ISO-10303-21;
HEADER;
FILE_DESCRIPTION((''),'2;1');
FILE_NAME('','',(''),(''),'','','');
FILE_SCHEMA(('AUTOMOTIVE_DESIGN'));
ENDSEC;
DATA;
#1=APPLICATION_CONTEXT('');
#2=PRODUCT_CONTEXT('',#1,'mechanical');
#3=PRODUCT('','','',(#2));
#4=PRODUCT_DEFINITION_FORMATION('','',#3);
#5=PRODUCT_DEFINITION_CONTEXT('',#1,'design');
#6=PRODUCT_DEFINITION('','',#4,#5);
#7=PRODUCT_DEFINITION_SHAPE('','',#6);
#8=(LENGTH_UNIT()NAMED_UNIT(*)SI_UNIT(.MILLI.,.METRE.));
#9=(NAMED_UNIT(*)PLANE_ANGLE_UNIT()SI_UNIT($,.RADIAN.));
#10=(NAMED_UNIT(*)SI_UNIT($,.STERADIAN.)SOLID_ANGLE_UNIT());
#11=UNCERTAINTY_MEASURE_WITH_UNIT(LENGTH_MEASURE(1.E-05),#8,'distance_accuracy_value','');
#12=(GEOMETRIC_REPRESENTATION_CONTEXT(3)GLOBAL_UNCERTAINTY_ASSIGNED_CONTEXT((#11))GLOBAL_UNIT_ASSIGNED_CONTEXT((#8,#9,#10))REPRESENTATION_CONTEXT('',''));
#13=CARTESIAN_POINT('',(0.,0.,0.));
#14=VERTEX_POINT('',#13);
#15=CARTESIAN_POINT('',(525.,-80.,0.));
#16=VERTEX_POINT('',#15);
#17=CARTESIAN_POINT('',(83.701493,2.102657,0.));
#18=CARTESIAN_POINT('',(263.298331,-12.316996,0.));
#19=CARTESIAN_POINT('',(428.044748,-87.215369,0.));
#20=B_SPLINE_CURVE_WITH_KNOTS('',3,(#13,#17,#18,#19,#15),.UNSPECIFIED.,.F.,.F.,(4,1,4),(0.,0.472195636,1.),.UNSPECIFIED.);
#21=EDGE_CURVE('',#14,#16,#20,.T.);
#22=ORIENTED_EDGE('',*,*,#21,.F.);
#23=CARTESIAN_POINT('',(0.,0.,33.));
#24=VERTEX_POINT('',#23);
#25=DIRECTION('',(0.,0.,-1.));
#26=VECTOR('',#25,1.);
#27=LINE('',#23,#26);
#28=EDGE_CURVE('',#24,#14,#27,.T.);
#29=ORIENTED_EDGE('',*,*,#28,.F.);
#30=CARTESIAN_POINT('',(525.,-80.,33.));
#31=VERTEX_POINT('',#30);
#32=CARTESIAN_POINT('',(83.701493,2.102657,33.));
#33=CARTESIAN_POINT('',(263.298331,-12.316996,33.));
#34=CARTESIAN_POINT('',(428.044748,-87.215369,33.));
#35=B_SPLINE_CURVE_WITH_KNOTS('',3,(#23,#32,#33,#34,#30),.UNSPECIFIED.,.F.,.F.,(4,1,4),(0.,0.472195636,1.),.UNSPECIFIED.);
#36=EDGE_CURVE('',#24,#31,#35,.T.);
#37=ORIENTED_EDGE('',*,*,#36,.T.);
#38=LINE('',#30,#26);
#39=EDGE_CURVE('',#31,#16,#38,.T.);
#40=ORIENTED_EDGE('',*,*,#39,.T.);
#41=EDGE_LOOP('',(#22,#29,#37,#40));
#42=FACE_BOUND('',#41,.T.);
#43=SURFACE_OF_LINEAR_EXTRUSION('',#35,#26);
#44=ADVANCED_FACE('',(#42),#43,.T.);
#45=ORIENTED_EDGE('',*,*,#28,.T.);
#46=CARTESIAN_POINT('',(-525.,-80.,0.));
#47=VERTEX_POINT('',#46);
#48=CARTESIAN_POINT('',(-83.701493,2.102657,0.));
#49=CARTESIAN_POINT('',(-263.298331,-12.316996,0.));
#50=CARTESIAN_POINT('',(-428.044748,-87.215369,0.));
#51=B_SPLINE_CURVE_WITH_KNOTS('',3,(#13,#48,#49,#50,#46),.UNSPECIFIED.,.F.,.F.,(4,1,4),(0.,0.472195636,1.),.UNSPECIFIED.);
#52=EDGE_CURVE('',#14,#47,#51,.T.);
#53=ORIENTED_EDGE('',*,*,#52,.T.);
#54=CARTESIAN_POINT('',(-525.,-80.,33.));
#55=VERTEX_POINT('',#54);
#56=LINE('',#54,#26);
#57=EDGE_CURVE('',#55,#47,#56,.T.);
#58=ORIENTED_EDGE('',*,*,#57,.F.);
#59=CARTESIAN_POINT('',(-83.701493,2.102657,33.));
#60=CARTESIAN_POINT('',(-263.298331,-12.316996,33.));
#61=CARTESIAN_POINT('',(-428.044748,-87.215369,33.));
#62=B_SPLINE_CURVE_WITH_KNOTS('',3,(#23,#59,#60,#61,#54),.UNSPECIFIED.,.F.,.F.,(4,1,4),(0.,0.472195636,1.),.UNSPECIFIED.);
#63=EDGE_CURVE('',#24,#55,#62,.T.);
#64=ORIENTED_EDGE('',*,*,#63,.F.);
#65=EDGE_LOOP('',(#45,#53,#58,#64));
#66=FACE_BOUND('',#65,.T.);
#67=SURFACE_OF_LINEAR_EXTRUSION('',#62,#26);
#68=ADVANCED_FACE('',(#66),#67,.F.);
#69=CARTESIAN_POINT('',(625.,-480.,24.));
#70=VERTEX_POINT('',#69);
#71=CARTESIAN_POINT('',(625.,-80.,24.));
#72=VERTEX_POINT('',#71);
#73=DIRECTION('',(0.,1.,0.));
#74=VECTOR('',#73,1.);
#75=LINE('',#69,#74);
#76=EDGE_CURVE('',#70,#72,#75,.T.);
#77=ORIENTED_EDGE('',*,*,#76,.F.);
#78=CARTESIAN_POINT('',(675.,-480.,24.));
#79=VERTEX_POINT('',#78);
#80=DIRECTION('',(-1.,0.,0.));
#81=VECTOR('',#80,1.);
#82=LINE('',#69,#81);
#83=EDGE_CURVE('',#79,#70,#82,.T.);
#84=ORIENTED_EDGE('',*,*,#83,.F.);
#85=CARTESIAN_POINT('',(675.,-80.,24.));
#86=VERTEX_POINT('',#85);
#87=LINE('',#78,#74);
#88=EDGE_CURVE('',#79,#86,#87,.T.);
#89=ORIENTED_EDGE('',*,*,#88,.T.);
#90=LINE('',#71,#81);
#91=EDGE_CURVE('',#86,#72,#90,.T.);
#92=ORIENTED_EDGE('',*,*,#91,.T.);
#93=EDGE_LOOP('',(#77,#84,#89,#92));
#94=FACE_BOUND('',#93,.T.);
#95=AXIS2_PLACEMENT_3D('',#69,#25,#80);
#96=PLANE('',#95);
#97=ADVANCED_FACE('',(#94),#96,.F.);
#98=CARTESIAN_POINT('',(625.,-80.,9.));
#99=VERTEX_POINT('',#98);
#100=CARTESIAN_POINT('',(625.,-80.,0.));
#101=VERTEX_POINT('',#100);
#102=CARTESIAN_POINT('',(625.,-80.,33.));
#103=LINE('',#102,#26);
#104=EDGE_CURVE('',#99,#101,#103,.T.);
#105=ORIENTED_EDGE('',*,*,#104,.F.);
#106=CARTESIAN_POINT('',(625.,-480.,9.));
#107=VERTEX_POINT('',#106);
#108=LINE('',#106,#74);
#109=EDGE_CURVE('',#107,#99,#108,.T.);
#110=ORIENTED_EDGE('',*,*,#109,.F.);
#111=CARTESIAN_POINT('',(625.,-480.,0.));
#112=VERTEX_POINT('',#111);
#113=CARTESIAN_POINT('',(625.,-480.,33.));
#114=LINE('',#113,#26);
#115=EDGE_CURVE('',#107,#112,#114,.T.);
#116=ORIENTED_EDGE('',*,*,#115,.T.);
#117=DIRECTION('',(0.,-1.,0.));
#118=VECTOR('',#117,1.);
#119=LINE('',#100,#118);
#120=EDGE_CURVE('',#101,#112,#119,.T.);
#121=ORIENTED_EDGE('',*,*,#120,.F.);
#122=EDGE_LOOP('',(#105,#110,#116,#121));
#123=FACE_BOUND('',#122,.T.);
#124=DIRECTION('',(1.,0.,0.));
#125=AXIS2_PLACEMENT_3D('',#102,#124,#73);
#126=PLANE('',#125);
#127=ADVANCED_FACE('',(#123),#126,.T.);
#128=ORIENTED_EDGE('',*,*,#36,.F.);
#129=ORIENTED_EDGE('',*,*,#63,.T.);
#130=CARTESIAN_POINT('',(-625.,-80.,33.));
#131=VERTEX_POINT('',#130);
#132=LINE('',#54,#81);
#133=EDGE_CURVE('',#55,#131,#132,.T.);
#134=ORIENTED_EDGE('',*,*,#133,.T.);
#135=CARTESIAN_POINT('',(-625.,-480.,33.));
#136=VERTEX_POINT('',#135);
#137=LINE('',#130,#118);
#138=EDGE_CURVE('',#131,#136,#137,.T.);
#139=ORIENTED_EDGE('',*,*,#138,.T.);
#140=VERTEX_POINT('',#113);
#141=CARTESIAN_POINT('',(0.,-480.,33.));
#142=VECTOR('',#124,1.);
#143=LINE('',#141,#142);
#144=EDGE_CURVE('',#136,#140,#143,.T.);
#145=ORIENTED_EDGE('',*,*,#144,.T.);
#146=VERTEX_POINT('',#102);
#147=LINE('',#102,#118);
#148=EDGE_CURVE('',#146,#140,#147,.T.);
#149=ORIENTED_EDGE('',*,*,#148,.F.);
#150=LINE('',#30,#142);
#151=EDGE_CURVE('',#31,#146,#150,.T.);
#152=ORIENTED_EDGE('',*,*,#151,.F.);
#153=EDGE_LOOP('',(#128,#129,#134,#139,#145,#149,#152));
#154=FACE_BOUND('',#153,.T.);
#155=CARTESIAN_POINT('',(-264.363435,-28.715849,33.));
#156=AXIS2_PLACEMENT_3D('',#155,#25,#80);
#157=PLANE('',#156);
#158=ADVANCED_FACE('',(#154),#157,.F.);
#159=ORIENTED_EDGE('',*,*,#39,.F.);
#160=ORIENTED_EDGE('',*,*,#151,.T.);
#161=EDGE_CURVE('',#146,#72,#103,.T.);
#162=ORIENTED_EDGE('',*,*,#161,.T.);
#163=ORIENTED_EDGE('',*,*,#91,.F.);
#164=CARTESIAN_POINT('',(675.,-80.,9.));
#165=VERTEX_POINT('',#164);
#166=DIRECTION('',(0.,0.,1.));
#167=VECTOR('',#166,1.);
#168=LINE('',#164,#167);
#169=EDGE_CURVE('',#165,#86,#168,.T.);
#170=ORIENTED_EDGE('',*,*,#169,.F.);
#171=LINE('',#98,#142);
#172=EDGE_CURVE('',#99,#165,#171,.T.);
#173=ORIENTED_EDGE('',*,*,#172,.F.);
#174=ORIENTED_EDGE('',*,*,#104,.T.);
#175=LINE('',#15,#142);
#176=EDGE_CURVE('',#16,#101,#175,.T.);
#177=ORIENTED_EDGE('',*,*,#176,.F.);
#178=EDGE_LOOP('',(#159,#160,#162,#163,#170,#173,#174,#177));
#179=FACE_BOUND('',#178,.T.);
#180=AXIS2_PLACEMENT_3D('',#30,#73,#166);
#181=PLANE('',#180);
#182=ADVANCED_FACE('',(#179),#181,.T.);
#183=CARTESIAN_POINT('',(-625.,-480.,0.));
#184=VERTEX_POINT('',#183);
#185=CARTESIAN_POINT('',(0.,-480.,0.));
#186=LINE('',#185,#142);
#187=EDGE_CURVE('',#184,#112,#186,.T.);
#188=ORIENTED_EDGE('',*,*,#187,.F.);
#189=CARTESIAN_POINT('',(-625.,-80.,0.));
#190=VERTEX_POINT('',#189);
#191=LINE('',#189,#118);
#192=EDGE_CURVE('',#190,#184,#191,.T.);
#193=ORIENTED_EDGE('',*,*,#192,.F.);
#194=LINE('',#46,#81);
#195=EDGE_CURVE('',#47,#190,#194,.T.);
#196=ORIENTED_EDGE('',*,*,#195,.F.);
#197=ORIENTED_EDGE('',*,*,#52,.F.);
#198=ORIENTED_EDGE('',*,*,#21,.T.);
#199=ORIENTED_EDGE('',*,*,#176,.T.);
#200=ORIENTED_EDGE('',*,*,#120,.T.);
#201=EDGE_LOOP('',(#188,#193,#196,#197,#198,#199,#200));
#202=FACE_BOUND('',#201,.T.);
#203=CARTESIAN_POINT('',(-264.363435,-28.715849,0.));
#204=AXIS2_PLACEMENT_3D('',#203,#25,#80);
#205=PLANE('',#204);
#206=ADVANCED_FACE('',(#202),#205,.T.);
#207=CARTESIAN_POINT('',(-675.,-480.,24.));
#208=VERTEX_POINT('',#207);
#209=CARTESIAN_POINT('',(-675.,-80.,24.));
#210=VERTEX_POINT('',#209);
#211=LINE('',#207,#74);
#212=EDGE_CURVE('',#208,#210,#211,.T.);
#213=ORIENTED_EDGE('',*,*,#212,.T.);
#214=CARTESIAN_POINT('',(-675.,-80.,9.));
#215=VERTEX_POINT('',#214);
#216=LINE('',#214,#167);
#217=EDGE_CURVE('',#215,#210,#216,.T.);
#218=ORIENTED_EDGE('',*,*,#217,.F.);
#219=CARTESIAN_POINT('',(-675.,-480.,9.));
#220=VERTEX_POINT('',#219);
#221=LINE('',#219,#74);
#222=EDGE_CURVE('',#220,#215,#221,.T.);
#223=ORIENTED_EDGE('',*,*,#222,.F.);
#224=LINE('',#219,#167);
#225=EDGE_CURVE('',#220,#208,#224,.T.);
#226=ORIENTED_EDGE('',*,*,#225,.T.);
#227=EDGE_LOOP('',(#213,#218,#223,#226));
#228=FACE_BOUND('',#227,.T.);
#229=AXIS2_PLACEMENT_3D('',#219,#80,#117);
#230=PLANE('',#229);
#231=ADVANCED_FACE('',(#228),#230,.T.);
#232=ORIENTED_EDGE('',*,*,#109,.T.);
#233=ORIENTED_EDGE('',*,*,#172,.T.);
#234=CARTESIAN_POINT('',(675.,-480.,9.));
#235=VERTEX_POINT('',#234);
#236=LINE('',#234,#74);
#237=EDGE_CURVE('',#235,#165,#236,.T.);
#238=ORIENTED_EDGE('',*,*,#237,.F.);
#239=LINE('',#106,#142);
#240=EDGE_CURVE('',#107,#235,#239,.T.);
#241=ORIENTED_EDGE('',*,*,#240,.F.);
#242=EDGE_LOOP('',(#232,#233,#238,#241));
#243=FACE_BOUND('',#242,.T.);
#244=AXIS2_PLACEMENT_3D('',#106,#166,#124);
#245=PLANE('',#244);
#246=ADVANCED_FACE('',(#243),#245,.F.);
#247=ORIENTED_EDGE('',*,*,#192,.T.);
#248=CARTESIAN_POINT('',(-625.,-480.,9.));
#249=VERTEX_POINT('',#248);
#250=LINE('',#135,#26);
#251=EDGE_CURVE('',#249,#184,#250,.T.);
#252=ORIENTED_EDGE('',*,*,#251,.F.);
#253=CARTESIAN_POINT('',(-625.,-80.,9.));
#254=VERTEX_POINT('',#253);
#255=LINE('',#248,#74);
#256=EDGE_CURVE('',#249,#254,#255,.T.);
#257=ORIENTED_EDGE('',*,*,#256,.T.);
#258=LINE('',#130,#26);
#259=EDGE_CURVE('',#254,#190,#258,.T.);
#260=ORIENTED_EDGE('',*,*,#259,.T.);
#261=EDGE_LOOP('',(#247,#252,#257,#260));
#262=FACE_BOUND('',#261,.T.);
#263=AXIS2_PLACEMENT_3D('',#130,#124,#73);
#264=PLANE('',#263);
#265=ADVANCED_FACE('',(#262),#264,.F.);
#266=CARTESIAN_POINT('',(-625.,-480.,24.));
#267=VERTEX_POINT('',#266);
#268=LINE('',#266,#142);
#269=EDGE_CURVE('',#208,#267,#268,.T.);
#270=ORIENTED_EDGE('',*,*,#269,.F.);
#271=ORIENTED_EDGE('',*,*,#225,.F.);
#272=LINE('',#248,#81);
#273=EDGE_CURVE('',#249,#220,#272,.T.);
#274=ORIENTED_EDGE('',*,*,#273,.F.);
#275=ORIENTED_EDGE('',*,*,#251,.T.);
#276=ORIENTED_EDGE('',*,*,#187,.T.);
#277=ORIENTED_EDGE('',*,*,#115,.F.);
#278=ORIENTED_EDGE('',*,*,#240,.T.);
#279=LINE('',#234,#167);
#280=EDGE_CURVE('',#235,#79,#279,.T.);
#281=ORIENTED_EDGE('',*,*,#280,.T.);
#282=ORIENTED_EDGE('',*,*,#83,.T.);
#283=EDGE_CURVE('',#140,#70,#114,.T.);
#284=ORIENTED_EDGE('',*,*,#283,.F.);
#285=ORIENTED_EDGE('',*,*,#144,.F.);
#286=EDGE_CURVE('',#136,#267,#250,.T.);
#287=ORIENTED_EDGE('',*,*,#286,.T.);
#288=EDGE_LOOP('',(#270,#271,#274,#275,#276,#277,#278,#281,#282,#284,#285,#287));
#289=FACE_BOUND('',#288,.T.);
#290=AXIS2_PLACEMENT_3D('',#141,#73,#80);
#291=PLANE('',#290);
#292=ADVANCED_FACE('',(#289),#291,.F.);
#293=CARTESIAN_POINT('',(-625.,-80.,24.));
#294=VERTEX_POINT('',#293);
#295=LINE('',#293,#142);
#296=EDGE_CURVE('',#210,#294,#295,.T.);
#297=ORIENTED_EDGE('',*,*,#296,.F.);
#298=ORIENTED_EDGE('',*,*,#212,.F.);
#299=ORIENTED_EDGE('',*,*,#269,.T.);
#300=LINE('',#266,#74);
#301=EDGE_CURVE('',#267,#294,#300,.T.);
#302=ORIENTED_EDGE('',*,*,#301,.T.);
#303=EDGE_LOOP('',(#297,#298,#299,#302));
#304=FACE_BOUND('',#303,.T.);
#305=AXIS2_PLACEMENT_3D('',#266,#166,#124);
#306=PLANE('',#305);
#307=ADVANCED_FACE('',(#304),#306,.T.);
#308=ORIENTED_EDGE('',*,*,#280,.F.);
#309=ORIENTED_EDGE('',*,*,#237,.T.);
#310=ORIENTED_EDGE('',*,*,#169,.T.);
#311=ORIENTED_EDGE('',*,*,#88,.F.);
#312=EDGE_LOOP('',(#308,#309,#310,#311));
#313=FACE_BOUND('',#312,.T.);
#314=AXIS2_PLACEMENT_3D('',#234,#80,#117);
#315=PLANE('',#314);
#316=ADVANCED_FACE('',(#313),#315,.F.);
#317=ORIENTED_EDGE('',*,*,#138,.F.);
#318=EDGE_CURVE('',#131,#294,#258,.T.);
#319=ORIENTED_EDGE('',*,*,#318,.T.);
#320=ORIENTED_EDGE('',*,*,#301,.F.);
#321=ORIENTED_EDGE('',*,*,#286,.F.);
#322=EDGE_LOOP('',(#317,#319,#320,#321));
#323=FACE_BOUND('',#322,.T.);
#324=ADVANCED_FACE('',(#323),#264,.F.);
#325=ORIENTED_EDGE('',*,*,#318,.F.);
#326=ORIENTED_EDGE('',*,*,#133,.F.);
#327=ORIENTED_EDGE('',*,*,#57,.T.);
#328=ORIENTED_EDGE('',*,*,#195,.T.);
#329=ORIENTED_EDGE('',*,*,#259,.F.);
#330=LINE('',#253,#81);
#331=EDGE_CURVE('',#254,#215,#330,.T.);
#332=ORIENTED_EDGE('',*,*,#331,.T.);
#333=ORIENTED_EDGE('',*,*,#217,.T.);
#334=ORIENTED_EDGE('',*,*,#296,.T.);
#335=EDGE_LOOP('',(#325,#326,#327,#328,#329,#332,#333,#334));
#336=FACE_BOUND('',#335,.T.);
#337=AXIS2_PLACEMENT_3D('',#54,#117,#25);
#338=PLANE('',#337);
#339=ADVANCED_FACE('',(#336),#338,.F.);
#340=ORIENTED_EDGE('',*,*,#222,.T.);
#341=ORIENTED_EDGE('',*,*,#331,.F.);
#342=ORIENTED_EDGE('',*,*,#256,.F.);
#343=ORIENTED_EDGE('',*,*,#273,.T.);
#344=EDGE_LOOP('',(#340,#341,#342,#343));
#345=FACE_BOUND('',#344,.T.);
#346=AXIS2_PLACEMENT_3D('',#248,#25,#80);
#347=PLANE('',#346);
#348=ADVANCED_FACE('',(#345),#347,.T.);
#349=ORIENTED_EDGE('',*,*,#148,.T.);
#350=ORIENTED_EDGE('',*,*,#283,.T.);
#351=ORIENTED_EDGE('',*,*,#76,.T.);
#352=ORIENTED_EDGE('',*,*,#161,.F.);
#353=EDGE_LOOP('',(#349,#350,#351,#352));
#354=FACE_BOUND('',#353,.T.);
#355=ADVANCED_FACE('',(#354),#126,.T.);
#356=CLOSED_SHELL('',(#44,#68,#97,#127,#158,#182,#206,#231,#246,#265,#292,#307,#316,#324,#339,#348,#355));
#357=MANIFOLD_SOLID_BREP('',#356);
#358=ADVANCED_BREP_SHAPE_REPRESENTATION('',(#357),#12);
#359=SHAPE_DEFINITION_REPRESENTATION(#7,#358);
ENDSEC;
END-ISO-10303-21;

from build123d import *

# Parameters (mm, degrees)
BOSS_EXTRUDE1_DEPTH = 33
SKETCH2_W           = 50
SKETCH2_H           = 15
BOSS_EXTRUDE2_DEPTH = 400


with BuildPart() as part:
    # Sketch1 → Boss-Extrude1 (new body)
    with BuildSketch(Plane.XY):
        with BuildLine():
            Line((0, 0), (0, -480))
            Line((0, -480), (-625, -480))
            Line((-625, -480), (-625, -80))
            Line((-625, -80), (-525, -80))
            add(Edge.make_bspline(
                [(0, 0), (-83.701492577, 2.102656983), (-263.298331294, -12.316995698), (-428.0447482, -87.215369033), (-525, -80)],
                knots=[0, 0, 0, 0, 0.472195636, 1, 1, 1, 1], degree=3))
        make_face()
    boss_extrude1 = extrude(amount=BOSS_EXTRUDE1_DEPTH)

    # Sketch2 → Boss-Extrude2 (add, through all)
    with BuildSketch(Plane(origin=(0, -80, 0), x_dir=(1, 0, 0), z_dir=(0, 1, 0))):
        with Locations((-650, -16.5)):
            Rectangle(SKETCH2_W, SKETCH2_H)
    boss_extrude2 = extrude(amount=-BOSS_EXTRUDE2_DEPTH)

    # Mirror2: Boss-Extrude1, Boss-Extrude2 across plane
    add(boss_extrude1.mirror(Plane(origin=(0, 0, 0), x_dir=(0, 0, 1), z_dir=(1, 0, 0))))
    add(boss_extrude2.mirror(Plane(origin=(0, 0, 0), x_dir=(0, 0, 1), z_dir=(1, 0, 0))))


solid = part.part
